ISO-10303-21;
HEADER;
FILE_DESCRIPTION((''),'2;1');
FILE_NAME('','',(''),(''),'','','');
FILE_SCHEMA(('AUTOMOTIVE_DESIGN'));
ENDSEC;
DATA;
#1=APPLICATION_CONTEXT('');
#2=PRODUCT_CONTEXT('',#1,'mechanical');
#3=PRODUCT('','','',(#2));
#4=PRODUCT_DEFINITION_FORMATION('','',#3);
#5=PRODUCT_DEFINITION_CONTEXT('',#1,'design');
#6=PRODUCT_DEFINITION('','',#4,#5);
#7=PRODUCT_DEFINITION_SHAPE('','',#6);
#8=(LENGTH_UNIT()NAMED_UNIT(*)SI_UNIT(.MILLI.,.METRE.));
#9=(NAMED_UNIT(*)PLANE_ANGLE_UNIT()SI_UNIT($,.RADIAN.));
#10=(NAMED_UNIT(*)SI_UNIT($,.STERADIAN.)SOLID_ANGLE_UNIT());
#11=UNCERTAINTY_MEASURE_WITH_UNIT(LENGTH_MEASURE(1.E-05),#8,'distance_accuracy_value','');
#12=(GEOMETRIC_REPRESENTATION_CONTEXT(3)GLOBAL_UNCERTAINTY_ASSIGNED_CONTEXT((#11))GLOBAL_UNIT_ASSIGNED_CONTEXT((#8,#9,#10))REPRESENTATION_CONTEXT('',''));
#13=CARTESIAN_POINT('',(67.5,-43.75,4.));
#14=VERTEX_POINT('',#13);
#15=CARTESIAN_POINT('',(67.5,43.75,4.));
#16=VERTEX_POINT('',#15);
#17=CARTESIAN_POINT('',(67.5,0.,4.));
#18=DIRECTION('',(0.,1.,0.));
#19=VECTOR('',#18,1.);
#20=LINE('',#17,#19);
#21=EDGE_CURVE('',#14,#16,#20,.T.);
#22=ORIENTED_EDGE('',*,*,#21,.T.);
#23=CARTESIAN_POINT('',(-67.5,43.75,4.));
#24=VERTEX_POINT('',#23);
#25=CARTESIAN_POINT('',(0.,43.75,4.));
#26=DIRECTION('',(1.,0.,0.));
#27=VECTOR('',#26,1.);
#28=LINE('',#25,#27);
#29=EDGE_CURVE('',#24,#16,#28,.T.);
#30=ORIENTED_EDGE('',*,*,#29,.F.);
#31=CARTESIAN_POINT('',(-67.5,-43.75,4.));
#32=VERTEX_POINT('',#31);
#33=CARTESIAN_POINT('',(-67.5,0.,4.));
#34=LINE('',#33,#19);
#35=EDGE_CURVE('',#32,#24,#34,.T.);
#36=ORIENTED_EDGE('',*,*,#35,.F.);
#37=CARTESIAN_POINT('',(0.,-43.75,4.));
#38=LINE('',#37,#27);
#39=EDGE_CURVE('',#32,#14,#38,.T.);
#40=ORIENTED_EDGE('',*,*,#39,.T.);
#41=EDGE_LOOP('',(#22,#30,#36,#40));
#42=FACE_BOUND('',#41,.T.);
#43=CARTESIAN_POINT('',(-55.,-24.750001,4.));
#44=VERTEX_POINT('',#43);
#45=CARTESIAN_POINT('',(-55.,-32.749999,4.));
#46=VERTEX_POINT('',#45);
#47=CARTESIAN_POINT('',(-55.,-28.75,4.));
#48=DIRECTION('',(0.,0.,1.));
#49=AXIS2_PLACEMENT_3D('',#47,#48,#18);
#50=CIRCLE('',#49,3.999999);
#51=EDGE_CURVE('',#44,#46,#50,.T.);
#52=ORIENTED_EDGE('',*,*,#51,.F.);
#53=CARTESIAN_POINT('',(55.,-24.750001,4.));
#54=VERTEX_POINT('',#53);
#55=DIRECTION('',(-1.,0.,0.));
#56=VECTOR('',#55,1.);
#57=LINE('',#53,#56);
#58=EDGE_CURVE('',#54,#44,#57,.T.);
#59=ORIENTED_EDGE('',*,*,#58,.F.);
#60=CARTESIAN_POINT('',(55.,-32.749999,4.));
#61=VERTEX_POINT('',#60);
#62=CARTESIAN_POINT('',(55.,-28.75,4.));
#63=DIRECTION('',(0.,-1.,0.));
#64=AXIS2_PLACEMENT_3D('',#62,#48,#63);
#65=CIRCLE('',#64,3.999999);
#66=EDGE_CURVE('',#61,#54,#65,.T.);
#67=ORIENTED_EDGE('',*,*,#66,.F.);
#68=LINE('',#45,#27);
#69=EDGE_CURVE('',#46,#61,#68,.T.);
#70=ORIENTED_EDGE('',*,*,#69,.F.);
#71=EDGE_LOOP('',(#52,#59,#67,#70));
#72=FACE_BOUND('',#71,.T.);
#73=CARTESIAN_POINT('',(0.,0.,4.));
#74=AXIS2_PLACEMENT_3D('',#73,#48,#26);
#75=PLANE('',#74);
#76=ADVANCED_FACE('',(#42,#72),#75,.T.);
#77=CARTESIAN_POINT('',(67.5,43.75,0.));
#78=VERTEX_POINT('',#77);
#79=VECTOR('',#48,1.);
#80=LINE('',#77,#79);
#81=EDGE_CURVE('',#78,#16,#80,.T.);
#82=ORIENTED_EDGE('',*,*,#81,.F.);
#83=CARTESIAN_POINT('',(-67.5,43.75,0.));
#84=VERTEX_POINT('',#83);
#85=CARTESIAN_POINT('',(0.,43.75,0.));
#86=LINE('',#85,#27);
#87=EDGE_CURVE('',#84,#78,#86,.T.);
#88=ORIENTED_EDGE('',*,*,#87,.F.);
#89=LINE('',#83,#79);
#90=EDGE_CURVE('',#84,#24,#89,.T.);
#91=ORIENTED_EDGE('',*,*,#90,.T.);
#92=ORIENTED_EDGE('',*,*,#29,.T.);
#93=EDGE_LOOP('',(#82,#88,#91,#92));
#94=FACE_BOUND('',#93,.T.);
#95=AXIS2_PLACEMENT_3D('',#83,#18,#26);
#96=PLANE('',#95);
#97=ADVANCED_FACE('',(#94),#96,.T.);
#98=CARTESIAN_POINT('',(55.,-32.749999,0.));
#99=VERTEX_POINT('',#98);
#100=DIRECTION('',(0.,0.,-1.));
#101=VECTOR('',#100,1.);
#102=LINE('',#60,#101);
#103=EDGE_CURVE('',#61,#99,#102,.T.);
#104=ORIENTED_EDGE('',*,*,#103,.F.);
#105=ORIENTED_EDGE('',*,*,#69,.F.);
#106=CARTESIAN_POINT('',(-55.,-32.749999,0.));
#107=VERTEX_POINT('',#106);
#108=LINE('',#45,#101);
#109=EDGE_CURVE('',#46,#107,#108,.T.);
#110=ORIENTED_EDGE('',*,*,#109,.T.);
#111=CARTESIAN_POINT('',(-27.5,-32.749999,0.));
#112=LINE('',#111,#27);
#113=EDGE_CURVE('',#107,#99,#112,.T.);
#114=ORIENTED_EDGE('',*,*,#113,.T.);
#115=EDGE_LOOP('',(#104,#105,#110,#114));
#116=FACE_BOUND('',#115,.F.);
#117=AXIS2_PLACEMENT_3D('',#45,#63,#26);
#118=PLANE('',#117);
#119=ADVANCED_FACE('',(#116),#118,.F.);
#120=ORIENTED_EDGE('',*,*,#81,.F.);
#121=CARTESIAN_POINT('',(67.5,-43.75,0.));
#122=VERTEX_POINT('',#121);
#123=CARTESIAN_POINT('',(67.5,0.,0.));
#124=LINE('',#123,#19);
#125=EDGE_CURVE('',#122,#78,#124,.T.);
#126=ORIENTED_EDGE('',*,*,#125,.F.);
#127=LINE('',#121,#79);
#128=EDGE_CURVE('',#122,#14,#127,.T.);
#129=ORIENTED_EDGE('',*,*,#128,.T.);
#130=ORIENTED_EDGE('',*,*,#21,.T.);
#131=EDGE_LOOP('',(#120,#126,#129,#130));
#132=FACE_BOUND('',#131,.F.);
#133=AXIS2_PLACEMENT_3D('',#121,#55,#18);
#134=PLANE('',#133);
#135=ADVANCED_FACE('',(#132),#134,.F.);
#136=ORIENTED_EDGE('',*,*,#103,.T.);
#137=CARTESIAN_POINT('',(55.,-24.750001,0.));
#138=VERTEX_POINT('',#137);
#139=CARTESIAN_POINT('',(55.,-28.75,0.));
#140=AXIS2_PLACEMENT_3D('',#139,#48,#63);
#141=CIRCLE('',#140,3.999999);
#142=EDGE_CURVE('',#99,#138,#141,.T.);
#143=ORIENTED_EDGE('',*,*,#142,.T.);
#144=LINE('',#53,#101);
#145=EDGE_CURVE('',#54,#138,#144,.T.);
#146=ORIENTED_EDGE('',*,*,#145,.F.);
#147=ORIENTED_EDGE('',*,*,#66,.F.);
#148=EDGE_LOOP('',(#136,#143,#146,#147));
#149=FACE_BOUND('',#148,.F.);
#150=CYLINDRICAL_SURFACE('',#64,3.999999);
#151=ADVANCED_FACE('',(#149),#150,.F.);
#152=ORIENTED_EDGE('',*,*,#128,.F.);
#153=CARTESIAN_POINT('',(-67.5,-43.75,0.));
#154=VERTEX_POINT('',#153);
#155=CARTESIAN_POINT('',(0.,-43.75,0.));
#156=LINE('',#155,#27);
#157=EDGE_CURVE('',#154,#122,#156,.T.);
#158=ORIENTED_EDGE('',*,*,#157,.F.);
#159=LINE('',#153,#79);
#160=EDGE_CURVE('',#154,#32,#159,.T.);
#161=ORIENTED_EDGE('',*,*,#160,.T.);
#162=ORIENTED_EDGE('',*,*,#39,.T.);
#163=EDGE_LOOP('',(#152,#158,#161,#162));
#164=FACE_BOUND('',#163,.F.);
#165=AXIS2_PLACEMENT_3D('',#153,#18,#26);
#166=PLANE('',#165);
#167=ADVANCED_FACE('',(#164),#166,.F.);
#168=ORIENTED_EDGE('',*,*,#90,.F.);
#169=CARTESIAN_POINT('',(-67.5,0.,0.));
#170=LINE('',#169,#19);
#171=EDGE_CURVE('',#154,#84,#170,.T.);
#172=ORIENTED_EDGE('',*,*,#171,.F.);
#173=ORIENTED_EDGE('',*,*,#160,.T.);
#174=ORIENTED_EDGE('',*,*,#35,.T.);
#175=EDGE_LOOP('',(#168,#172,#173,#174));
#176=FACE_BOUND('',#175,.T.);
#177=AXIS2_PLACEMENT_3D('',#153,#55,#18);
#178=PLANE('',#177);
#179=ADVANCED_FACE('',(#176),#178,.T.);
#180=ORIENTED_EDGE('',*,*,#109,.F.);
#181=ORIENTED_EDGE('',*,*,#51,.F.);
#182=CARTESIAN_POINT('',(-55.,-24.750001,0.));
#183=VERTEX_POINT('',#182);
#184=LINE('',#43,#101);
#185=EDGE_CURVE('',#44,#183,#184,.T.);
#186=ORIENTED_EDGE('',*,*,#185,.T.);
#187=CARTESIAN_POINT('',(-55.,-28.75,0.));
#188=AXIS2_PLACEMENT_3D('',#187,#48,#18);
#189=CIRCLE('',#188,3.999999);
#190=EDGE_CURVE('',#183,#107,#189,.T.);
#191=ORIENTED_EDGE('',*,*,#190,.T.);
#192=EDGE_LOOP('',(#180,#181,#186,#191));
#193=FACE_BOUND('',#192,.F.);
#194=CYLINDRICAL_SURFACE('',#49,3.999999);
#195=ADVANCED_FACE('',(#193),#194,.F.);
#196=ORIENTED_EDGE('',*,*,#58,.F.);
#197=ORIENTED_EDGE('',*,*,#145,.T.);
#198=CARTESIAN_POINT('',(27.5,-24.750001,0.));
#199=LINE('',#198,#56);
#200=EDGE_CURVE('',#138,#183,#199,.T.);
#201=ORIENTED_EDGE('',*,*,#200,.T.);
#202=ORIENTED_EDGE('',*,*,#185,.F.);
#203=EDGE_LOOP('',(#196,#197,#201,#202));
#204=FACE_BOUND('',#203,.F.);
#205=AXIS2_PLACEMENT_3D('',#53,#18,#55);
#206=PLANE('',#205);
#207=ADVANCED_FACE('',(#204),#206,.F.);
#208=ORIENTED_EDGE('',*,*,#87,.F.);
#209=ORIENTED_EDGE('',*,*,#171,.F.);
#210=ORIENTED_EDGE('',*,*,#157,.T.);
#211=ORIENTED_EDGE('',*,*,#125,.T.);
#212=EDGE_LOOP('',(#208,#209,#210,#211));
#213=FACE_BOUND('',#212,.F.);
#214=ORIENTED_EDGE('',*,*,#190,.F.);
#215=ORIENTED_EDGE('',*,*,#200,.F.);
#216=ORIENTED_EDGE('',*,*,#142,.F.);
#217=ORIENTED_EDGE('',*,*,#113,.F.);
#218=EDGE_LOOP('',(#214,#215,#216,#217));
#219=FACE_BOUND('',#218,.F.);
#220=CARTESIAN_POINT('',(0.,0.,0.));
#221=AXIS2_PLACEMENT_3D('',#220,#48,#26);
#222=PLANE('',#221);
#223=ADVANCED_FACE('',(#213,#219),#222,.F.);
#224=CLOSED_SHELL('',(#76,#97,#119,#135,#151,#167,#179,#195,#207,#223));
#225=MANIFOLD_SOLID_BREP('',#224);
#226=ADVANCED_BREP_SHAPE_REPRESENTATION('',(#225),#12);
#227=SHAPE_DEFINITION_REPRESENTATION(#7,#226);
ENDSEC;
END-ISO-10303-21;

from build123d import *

# Parameters (mm, degrees)
F0_W     = 135
F0_H     = 87.5
F1_DEPTH = 4
F3_DEPTH = 25


with BuildPart() as f1:
    # F0 (on Top) → F1 (new body)
    with BuildSketch(Plane.XY):
        Rectangle(F0_W, F0_H)
    extrude(amount=F1_DEPTH)

    # F2 (on face) → F3 (cut)
    with BuildSketch(Plane.XY.offset(4)):
        with BuildLine():
            Line((-55, -32.749999), (55, -32.749999))
            ThreePointArc((55, -32.749999), (58.999999, -28.75), (55, -24.750001))
            Line((55, -24.750001), (-55, -24.750001))
            ThreePointArc((-55, -24.750001), (-58.999999, -28.75), (-55, -32.749999))
        make_face()
    extrude(amount=-F3_DEPTH, mode=Mode.SUBTRACT)


solid = f1.part
